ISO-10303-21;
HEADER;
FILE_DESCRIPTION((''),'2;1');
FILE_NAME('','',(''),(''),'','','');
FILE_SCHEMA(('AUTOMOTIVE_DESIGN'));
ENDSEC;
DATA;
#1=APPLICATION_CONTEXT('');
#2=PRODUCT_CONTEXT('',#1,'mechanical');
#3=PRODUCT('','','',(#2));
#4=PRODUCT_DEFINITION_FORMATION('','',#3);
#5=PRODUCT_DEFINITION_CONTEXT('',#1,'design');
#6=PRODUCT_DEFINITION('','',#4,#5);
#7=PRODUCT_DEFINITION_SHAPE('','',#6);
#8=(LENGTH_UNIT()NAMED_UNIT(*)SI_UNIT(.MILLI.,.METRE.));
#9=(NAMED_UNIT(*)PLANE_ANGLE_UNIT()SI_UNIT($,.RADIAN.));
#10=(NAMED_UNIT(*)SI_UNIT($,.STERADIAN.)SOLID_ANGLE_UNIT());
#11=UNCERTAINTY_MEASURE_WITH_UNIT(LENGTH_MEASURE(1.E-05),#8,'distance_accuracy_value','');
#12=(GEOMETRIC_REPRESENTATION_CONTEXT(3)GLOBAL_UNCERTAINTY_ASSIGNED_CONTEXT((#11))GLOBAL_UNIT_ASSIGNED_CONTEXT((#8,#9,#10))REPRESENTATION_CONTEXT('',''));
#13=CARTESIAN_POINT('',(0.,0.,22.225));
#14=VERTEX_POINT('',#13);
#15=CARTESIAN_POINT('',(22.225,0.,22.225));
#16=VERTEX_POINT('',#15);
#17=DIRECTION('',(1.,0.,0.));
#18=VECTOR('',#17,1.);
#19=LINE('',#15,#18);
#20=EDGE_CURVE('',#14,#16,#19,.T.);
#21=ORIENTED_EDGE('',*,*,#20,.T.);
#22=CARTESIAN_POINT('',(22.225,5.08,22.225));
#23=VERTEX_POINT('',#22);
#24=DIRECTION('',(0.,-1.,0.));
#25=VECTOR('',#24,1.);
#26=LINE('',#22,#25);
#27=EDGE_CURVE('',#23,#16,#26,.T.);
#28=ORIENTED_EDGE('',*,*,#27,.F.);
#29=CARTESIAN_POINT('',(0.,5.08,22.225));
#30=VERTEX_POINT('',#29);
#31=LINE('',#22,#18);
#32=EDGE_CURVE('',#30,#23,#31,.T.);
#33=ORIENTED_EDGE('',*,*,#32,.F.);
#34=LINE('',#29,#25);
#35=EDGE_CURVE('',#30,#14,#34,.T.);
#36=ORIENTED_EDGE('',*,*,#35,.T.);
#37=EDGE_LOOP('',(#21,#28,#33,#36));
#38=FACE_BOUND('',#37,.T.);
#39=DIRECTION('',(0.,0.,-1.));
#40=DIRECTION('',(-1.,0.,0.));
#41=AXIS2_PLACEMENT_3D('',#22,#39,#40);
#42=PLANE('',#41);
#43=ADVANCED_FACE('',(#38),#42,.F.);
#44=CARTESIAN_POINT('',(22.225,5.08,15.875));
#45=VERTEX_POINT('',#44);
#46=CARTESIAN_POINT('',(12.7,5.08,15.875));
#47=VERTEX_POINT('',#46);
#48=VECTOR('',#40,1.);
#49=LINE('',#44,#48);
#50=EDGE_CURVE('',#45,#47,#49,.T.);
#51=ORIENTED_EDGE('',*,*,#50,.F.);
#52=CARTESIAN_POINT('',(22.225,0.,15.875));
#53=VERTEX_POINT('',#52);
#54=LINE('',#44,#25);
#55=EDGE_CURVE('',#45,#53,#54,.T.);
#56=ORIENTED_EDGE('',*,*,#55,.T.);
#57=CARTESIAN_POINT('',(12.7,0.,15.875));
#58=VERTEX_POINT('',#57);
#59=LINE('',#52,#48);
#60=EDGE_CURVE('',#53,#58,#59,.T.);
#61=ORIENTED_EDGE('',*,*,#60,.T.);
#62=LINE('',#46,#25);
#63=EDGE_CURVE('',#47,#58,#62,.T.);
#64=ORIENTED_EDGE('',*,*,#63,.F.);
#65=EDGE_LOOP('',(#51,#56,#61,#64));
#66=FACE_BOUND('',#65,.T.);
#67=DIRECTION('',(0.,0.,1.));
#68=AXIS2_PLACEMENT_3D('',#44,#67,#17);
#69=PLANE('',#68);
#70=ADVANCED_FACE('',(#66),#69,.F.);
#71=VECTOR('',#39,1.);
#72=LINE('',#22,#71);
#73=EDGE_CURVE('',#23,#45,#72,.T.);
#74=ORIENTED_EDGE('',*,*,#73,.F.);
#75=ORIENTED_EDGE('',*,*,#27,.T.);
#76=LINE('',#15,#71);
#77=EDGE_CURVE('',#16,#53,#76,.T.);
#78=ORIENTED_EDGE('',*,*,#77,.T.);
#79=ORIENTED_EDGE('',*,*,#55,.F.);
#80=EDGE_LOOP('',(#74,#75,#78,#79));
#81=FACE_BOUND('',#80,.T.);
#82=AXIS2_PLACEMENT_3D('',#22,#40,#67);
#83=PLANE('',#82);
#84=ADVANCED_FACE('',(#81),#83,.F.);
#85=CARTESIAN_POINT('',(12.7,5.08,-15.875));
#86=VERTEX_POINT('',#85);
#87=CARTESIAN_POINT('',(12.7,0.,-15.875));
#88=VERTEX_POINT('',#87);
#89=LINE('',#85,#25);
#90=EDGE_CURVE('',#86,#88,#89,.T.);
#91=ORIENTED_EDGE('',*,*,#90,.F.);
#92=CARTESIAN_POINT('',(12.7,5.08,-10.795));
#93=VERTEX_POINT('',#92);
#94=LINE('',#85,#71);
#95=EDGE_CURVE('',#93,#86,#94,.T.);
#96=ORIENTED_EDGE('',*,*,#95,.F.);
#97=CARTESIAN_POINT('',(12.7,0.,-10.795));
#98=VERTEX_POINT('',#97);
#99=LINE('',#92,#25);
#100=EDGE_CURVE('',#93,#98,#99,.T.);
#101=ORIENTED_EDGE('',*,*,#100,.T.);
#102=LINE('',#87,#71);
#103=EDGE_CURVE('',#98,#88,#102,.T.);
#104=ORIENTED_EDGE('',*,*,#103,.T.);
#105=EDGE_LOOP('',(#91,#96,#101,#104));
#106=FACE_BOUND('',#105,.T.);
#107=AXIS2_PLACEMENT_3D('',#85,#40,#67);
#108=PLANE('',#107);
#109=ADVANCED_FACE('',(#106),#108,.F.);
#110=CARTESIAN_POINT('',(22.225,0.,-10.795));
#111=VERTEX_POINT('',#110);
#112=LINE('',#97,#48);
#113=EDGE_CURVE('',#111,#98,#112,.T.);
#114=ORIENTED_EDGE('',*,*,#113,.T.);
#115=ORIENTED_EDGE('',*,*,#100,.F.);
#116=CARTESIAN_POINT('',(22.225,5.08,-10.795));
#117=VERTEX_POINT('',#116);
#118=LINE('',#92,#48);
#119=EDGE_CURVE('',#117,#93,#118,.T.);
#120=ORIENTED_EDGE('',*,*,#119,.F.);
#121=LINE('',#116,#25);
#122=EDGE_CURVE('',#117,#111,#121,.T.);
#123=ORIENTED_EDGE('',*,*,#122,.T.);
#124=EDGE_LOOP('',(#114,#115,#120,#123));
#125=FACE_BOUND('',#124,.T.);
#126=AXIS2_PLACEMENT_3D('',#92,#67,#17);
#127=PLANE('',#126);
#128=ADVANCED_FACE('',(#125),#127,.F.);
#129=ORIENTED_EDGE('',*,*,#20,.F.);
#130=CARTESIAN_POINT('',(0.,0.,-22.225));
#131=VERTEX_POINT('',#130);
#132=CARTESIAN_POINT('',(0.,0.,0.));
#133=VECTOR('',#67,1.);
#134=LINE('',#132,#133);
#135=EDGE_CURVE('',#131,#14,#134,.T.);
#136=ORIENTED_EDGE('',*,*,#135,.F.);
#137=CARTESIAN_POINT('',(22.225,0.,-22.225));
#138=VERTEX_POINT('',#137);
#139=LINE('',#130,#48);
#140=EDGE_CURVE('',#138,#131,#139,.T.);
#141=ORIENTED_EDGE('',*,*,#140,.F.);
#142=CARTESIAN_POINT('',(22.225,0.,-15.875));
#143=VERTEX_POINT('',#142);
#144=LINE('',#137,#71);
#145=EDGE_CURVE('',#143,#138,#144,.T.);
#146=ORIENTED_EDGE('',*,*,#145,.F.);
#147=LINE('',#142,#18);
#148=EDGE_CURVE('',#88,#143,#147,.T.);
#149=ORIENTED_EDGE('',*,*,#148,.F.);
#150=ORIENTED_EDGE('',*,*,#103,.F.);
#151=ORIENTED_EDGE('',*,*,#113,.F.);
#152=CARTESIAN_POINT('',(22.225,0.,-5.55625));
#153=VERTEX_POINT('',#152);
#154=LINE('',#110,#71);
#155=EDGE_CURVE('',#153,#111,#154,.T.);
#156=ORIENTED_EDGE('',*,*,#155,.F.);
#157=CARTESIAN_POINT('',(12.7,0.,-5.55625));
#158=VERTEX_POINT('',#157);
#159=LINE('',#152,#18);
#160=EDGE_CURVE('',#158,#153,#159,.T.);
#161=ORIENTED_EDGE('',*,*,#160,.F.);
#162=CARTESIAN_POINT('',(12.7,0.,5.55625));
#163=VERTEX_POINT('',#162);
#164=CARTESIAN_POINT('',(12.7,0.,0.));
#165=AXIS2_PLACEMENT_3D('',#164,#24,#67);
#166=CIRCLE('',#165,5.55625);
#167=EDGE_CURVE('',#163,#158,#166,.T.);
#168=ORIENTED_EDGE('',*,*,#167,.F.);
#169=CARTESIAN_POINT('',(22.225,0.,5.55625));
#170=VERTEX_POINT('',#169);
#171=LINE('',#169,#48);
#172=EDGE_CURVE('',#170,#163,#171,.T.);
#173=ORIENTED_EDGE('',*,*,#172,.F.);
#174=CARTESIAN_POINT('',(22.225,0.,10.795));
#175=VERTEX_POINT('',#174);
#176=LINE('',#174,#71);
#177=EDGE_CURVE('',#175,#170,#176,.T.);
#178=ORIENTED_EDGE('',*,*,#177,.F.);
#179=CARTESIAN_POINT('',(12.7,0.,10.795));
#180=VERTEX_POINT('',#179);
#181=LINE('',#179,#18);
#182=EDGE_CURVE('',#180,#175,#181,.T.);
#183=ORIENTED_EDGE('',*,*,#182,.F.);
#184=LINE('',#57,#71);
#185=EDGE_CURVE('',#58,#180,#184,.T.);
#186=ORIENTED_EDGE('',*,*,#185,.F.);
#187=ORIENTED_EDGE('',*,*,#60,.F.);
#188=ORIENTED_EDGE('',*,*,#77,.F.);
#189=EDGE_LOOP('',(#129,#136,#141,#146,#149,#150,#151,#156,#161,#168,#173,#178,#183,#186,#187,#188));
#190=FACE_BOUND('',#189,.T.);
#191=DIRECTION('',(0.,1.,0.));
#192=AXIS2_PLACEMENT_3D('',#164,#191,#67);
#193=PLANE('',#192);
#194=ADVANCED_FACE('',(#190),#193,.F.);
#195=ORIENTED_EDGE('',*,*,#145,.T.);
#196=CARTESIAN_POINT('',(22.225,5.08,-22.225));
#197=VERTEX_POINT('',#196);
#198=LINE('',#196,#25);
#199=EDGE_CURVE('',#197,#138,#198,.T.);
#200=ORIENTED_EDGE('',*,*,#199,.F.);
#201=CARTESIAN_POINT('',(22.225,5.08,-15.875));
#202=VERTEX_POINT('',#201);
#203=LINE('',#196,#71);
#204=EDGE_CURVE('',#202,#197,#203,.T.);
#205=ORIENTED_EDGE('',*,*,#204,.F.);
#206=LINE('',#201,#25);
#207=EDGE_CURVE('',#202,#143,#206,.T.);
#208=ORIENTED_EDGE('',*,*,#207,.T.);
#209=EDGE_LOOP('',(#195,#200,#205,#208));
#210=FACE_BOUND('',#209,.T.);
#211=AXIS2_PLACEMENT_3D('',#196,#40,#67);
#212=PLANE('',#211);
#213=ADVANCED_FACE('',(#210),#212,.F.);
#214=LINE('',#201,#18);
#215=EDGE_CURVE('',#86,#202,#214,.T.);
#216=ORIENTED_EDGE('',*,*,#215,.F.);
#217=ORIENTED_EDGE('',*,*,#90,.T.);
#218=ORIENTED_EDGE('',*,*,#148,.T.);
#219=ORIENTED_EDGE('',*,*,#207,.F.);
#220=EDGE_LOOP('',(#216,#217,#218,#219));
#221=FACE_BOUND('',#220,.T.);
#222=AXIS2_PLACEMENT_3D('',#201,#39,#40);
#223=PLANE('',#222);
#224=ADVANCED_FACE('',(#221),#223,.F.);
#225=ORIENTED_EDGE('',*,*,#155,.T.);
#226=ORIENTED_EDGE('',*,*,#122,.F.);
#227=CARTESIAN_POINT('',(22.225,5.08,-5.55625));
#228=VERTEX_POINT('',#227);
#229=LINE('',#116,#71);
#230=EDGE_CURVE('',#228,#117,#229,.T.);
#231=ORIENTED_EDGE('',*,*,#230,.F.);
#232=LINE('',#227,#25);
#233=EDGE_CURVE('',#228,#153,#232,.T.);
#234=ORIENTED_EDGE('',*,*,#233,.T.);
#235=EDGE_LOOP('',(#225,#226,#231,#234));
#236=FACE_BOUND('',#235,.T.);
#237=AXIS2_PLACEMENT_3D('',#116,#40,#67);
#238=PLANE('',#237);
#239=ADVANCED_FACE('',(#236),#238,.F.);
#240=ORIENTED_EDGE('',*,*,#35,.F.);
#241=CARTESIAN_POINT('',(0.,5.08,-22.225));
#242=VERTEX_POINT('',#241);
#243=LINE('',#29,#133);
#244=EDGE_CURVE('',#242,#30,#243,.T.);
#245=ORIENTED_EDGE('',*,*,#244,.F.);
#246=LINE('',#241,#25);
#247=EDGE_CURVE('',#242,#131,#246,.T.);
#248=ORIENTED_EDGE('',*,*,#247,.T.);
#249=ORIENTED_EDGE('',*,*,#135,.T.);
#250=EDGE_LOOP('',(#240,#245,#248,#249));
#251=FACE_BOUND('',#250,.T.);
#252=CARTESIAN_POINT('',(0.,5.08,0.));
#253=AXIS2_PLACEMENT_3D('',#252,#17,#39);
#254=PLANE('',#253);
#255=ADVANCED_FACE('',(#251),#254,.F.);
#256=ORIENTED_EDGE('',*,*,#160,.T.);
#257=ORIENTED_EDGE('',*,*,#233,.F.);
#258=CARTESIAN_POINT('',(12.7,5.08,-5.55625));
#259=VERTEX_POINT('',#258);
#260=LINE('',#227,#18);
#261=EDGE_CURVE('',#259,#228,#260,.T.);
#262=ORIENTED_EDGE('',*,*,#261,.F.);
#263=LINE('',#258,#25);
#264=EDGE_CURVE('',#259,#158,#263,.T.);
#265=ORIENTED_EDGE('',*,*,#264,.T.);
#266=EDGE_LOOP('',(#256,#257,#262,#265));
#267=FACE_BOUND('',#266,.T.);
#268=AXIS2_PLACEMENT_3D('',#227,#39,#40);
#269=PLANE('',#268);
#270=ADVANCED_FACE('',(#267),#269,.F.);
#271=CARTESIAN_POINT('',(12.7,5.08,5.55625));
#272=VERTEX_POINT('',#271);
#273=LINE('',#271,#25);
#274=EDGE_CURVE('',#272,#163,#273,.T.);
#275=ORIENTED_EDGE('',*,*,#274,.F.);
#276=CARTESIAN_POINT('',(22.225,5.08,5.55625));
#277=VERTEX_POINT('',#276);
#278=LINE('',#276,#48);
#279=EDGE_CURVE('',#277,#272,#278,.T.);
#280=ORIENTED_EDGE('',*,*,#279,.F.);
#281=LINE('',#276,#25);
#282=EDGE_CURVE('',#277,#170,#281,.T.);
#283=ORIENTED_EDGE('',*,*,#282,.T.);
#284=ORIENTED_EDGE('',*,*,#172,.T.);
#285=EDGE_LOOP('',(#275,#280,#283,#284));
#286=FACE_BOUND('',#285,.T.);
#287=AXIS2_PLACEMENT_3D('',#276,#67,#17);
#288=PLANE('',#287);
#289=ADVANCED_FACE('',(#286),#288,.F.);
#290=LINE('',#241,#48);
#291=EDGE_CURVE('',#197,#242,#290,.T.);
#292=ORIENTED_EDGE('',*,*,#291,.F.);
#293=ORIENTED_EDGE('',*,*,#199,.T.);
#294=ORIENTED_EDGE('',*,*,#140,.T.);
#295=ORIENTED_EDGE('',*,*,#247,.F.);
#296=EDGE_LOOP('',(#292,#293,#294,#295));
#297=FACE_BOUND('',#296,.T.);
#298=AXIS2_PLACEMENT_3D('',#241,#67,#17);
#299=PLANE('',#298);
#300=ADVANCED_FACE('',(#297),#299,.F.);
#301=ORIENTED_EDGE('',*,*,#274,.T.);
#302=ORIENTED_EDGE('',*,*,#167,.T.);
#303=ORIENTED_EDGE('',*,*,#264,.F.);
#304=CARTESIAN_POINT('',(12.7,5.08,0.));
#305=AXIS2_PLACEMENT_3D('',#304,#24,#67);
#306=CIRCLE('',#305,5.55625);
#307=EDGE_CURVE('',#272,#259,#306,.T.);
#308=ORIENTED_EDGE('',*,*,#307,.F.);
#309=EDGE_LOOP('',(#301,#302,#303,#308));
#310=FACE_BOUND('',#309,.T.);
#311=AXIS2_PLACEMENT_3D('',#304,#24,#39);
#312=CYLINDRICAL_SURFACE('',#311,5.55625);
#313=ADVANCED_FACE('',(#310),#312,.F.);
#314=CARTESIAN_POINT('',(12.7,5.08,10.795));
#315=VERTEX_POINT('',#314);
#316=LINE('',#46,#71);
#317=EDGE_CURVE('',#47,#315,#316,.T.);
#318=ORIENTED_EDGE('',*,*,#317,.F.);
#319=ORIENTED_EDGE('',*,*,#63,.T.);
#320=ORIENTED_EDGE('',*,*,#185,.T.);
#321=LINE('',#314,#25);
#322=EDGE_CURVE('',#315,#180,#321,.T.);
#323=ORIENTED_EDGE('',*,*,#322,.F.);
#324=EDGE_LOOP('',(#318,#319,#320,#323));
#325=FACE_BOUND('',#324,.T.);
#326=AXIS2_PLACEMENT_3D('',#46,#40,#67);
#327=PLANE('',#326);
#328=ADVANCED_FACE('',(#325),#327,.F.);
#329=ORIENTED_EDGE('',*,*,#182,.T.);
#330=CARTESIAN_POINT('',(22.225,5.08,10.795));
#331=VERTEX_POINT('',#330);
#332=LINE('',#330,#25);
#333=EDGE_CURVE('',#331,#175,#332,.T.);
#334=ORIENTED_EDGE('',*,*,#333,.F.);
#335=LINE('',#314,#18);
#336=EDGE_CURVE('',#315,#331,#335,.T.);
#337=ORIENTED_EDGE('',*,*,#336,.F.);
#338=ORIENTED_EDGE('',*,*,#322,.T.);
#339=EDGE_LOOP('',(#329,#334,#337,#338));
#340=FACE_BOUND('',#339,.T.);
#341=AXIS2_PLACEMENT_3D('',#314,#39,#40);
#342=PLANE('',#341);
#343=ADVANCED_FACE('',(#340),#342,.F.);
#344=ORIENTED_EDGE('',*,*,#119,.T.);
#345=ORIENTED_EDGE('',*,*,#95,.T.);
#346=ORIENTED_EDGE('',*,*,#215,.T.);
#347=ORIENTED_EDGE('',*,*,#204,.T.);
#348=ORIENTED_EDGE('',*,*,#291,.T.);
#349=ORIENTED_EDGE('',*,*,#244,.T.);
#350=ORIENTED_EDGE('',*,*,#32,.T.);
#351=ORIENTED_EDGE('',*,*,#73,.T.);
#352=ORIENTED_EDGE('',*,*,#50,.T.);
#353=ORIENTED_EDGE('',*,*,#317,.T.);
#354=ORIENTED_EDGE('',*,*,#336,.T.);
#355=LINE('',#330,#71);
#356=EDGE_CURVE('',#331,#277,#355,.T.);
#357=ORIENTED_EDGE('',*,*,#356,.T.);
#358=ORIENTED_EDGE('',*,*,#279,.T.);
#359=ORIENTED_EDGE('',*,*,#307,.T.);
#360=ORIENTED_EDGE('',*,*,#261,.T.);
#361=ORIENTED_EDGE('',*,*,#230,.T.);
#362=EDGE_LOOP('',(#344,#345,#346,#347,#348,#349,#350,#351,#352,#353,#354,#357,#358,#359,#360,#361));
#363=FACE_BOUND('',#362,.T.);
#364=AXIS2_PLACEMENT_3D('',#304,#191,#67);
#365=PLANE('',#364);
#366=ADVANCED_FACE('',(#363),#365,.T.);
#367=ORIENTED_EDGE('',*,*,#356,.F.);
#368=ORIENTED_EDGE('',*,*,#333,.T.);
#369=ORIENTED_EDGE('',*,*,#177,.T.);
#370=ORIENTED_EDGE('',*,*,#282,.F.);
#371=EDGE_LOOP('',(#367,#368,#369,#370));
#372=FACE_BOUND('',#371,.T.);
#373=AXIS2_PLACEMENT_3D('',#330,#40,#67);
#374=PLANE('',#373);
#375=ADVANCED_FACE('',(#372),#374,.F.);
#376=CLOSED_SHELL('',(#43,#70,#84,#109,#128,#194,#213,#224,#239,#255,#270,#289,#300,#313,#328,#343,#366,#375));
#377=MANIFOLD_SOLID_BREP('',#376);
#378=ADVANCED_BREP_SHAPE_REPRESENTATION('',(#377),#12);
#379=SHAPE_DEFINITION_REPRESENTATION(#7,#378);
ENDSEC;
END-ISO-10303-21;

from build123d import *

# Parameters (mm, degrees)
BOSS_EXTRUDE1_DEPTH = 5.08


with BuildPart() as part:
    # Sketch1 → Boss-Extrude1 (new body)
    with BuildSketch(Plane(origin=(0, 0, 0), x_dir=(1, 0, 0), z_dir=(0, 1, 0))):
        with BuildLine():
            Line((22.225, 22.225), (22.225, 15.875))
            Line((22.225, 15.875), (12.7, 15.875))
            Line((12.7, 15.875), (12.7, 10.795))
            Line((12.7, 10.795), (22.225, 10.795))
            Line((22.225, 10.795), (22.225, 5.55625))
            Line((22.225, 5.55625), (12.7, 5.55625))
            ThreePointArc((12.7, 5.55625), (7.14375, 0), (12.7, -5.55625))
            Line((12.7, -5.55625), (22.225, -5.55625))
            Line((22.225, -5.55625), (22.225, -10.795))
            Line((22.225, -10.795), (12.7, -10.795))
            Line((12.7, -10.795), (12.7, -15.875))
            Line((12.7, -15.875), (22.225, -15.875))
            Line((22.225, -15.875), (22.225, -22.225))
            Line((22.225, -22.225), (0, -22.225))
            Line((0, -22.225), (0, 0))
            Line((0, 0), (0, 22.225))
            Line((0, 22.225), (22.225, 22.225))
        make_face()
    extrude(amount=BOSS_EXTRUDE1_DEPTH)


solid = part.part
